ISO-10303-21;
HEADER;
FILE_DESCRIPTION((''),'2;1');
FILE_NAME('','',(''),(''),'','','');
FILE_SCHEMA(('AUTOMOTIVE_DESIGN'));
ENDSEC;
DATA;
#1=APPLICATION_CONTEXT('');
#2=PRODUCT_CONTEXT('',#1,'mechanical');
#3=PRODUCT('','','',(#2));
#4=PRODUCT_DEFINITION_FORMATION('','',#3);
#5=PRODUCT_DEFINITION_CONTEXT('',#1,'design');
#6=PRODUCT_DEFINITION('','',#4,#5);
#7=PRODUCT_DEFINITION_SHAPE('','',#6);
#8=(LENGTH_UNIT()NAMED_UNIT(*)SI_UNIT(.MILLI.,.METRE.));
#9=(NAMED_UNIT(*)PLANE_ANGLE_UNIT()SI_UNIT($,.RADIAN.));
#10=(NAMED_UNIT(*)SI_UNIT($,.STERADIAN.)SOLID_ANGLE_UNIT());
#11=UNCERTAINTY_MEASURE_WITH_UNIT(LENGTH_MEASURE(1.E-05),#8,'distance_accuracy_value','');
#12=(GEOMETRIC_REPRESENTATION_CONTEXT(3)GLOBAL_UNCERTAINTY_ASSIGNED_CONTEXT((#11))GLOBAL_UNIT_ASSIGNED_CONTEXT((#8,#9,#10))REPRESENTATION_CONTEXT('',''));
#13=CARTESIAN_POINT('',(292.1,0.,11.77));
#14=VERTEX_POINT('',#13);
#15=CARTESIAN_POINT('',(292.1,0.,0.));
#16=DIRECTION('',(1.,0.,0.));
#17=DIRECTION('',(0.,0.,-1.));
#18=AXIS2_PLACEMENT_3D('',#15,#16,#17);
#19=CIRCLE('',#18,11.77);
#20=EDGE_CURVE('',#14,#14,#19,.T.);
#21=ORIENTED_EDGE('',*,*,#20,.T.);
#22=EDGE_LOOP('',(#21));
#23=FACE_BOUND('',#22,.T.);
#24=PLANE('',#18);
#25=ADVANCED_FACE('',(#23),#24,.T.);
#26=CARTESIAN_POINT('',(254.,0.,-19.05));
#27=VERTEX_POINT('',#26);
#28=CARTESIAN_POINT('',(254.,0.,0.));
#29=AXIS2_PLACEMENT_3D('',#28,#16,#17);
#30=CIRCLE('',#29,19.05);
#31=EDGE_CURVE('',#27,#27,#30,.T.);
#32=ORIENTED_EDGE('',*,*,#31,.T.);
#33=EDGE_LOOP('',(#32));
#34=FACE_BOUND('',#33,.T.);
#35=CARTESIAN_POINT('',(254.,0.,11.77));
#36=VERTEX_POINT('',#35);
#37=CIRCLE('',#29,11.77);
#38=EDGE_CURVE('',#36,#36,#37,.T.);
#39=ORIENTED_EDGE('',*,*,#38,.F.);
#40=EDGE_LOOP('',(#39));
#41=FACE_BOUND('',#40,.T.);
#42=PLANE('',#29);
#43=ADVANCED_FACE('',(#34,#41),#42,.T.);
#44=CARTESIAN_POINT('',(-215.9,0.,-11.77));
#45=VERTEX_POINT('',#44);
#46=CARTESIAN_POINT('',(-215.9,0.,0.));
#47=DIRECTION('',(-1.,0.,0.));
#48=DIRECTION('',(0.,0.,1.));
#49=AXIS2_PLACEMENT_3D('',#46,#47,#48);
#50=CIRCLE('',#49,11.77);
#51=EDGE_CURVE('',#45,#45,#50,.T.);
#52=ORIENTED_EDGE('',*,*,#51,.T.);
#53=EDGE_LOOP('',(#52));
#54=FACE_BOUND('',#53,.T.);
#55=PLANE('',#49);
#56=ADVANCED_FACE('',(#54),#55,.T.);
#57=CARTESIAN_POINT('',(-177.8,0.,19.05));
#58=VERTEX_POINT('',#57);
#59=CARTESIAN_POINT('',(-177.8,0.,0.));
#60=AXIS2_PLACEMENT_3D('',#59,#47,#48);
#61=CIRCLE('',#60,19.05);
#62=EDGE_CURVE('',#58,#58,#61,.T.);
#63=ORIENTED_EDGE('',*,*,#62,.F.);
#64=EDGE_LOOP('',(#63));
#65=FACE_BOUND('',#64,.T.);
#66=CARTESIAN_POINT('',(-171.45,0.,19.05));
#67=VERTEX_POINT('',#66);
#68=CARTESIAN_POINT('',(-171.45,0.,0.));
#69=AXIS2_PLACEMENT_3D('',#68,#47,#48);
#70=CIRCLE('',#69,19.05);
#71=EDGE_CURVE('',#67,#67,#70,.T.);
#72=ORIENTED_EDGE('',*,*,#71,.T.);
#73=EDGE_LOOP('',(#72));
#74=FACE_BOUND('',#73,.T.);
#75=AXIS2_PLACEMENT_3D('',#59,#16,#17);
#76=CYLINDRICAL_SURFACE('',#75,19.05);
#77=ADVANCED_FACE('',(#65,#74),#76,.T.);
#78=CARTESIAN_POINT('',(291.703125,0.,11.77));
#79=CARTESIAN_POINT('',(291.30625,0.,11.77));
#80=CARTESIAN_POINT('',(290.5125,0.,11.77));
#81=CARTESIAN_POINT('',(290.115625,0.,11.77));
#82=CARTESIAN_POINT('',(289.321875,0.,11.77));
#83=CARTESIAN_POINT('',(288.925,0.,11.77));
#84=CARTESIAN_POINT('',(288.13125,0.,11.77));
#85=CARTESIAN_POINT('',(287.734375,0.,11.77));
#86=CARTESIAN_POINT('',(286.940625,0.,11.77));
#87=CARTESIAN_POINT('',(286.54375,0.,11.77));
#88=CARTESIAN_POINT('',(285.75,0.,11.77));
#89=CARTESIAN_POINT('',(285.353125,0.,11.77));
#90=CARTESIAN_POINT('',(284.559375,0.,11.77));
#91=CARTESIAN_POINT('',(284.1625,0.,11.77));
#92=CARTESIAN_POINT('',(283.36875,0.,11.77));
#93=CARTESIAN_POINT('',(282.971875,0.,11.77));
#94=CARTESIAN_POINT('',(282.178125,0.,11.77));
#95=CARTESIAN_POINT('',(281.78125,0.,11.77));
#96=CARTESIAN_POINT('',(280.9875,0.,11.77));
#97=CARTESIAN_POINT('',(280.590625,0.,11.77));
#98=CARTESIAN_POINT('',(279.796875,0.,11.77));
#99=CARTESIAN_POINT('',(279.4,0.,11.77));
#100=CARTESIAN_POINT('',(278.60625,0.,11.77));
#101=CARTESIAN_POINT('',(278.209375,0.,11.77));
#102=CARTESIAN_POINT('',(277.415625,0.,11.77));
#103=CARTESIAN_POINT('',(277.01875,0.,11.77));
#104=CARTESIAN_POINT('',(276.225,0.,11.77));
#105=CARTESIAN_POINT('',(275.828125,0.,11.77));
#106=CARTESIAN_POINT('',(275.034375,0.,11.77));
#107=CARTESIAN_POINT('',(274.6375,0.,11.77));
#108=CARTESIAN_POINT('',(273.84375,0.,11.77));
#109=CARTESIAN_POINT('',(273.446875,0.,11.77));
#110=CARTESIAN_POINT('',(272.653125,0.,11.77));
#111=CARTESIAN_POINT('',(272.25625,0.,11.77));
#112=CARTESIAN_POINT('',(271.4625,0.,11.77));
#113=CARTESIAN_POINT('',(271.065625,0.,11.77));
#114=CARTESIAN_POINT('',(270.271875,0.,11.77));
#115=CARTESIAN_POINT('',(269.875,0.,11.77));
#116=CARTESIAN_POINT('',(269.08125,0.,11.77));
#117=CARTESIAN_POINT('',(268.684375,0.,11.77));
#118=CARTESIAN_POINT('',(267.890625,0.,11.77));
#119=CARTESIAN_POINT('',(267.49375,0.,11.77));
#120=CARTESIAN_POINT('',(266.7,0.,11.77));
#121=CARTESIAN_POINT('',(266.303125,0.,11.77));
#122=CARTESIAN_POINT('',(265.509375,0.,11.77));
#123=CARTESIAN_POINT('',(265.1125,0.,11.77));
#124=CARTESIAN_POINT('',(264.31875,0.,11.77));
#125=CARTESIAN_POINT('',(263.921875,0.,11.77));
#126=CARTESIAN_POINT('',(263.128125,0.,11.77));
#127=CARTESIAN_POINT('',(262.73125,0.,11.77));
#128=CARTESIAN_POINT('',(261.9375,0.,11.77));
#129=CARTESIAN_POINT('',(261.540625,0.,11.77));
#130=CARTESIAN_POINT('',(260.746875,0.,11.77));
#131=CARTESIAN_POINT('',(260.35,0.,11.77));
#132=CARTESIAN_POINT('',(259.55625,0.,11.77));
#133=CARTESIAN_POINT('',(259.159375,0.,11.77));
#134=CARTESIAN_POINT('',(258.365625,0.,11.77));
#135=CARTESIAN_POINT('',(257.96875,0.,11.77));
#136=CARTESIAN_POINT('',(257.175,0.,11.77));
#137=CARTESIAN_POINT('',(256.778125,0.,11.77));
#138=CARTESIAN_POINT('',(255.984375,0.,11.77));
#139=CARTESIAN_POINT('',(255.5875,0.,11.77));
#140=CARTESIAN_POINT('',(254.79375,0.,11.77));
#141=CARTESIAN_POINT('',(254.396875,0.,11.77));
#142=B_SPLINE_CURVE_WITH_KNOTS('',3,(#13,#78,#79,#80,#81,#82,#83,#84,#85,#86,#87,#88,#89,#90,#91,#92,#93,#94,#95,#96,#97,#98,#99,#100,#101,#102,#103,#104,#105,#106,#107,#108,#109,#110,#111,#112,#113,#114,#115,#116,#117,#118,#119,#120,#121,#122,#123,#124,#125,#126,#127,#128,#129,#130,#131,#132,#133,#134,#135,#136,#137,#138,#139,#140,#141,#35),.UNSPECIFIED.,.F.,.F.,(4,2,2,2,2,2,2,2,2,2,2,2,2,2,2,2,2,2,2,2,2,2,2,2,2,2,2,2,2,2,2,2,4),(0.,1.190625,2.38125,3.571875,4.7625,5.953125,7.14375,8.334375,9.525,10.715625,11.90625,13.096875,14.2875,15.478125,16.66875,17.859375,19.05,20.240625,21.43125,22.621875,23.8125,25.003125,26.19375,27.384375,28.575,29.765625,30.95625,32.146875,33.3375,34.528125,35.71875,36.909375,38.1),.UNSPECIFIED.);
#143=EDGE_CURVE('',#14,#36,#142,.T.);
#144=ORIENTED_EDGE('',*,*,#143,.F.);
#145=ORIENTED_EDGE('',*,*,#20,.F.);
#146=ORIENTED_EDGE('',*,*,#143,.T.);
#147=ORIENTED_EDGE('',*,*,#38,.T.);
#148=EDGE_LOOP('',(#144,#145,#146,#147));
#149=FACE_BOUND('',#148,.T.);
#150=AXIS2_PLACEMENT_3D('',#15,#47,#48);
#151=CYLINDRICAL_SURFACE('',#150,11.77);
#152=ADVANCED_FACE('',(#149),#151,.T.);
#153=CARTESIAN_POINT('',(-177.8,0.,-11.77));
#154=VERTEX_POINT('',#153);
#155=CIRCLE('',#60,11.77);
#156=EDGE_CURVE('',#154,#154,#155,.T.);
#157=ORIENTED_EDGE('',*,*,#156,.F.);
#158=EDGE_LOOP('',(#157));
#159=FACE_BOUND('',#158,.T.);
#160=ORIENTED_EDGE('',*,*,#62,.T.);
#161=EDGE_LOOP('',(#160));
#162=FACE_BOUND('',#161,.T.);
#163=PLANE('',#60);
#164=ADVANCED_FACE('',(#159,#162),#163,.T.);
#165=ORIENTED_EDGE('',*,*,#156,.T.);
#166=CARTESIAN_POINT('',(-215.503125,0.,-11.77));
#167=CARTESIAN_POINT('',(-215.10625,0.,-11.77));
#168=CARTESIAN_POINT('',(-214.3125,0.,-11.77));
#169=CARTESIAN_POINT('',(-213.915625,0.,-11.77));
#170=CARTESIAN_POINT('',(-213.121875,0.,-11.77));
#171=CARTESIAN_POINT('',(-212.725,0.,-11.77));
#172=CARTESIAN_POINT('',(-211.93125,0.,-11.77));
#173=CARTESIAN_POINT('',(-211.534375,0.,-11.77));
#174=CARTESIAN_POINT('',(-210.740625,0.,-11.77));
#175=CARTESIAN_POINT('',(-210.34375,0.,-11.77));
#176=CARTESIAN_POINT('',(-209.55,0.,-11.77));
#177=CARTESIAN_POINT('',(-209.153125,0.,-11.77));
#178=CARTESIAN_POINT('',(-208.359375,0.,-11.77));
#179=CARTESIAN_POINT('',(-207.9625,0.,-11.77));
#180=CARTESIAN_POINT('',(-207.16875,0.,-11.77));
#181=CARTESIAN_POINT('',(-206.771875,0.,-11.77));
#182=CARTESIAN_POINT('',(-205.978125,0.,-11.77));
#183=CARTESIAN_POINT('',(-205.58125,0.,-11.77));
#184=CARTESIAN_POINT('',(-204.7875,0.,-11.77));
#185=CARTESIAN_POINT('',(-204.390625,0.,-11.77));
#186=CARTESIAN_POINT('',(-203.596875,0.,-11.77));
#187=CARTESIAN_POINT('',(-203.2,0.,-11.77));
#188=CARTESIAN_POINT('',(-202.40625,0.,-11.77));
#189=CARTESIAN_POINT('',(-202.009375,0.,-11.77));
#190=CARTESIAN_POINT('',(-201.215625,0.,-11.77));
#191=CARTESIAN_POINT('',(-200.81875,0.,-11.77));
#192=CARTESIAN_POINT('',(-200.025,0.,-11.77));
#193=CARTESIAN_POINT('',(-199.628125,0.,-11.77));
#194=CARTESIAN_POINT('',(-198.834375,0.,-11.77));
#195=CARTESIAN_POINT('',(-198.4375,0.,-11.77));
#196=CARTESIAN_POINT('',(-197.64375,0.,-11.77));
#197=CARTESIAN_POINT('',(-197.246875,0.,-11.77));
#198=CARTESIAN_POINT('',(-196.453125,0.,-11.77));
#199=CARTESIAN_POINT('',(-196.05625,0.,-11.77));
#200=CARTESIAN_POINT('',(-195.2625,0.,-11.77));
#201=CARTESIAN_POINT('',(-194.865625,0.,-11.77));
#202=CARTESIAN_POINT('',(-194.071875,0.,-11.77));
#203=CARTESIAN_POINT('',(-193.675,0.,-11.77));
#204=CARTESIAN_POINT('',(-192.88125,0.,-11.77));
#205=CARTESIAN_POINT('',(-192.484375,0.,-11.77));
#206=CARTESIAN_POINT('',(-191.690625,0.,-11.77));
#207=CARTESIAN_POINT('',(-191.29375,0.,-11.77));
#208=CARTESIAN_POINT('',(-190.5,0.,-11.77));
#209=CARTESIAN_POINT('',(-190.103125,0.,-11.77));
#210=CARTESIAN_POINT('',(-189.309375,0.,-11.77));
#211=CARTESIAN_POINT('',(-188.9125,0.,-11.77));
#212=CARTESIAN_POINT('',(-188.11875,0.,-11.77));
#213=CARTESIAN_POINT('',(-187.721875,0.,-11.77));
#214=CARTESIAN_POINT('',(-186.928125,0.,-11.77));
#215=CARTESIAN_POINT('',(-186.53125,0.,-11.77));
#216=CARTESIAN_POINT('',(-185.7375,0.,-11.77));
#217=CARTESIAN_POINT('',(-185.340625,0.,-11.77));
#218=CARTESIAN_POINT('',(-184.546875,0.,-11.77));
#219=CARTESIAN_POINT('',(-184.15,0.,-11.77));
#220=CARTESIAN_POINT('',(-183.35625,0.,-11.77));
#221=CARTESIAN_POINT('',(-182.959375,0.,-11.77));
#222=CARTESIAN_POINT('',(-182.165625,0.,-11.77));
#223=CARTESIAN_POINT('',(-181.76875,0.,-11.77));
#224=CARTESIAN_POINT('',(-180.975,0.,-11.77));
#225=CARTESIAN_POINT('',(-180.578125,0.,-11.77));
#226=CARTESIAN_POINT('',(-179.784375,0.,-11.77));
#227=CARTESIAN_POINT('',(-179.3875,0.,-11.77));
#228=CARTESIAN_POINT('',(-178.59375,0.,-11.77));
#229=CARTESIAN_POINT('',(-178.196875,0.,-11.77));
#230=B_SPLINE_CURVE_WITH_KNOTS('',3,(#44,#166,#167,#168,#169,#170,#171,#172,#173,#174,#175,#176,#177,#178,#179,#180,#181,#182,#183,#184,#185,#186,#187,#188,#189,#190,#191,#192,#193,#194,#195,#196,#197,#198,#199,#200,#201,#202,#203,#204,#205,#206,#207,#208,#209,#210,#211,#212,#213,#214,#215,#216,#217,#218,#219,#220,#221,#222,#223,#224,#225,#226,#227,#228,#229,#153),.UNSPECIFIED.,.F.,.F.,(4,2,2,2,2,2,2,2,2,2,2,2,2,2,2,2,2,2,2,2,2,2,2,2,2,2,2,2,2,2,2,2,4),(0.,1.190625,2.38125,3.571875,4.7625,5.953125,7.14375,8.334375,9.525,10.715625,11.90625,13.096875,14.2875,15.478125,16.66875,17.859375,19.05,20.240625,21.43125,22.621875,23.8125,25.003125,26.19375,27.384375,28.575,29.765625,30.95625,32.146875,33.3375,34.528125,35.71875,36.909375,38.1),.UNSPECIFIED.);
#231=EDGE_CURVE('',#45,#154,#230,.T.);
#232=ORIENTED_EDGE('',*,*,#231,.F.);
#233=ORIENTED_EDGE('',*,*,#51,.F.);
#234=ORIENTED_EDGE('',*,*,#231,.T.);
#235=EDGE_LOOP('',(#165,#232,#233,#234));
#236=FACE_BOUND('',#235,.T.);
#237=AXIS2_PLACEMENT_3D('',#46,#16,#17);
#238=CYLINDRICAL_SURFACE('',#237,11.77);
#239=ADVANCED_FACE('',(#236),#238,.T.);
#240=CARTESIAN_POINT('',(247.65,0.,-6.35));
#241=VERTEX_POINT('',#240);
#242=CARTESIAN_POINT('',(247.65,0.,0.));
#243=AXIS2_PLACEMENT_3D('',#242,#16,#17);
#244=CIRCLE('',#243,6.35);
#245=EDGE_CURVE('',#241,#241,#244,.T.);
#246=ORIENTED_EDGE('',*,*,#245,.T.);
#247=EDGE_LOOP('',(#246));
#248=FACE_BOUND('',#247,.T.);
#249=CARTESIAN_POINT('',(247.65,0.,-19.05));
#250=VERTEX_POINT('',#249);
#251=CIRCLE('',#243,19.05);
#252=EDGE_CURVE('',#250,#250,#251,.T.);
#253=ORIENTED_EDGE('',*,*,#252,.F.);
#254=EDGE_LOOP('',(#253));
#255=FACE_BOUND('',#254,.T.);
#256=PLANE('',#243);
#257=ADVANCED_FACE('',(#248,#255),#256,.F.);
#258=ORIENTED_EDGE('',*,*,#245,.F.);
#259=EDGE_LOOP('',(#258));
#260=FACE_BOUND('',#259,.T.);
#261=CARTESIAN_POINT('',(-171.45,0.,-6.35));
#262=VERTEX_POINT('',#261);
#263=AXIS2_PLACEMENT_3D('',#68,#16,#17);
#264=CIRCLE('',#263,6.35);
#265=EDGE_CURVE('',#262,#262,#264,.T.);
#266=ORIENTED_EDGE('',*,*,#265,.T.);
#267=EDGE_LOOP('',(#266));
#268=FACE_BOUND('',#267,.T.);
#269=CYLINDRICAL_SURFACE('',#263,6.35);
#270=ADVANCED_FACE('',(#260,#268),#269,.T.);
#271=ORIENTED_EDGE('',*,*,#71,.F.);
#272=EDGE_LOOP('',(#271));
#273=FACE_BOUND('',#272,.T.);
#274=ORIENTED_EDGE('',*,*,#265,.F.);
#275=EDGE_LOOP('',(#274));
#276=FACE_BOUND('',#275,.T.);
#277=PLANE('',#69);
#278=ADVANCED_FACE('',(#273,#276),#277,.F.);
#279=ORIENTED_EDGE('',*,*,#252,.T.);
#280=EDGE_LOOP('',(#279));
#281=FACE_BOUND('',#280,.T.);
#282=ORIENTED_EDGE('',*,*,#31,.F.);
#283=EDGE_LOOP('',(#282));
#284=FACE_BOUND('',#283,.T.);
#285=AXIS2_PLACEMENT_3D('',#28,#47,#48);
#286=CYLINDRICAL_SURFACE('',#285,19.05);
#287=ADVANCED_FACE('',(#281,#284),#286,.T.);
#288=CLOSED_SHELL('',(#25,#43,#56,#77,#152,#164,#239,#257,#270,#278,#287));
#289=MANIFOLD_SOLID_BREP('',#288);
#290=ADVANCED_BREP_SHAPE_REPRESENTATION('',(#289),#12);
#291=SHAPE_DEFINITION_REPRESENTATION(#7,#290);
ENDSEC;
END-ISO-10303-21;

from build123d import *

# Parameters (mm, degrees)
BOSS_EXTRUDE1_DEPTH      = 247.65
BOSS_EXTRUDE1_DEPTH_BACK = 171.45
SKETCH2_R                = 6.35
SKETCH3_R                = 19.05
BOSS_EXTRUDE2_DEPTH      = 6.35
BOSS_EXTRUDE4_START      = 6.35
SKETCH7_R                = 19.05
BOSS_EXTRUDE4_DEPTH      = 6.35
SKETCH9_R                = 11.77
BOSS_EXTRUDE6_DEPTH      = 38.1
BOSS_EXTRUDE7_START      = 38.1
SKETCH10_R               = 11.77
BOSS_EXTRUDE7_DEPTH      = 38.1


with BuildPart() as part:
    # Sketch2 → Boss-Extrude1 (new, two sides: drawn at the far end of the back side and taken through both)
    with BuildSketch(Plane(origin=(0, 0, 0), x_dir=(0, 0, -1), z_dir=(1, 0, 0)).offset(-BOSS_EXTRUDE1_DEPTH_BACK)):
        Circle(SKETCH2_R)
    extrude(amount=BOSS_EXTRUDE1_DEPTH + BOSS_EXTRUDE1_DEPTH_BACK)

    # Sketch3 → Boss-Extrude2 (add)
    with BuildSketch(Plane(origin=(247.65, 0, 0), x_dir=(0, 0, -1), z_dir=(1, 0, 0))):
        Circle(SKETCH3_R)
    extrude(amount=BOSS_EXTRUDE2_DEPTH)

    # Sketch7 → Boss-Extrude4 (add)
    with BuildSketch(Plane.ZY.offset(171.45).offset(BOSS_EXTRUDE4_START)):
        with Locations(Location((0, 0, 0), (0, 0, 180))):
            Circle(SKETCH7_R)
    extrude(amount=-BOSS_EXTRUDE4_DEPTH)

    # Sketch9 → Boss-Extrude6 (add)
    with BuildSketch(Plane.ZY.offset(177.8)):
        with Locations(Location((0, 0, 0), (0, 0, 180))):
            Circle(SKETCH9_R)
    extrude(amount=BOSS_EXTRUDE6_DEPTH)

    # Sketch10 → Boss-Extrude7 (add)
    with BuildSketch(Plane(origin=(254, 0, 0), x_dir=(0, 0, -1), z_dir=(1, 0, 0)).offset(BOSS_EXTRUDE7_START)):
        Circle(SKETCH10_R)
    extrude(amount=-BOSS_EXTRUDE7_DEPTH)


solid = part.part
